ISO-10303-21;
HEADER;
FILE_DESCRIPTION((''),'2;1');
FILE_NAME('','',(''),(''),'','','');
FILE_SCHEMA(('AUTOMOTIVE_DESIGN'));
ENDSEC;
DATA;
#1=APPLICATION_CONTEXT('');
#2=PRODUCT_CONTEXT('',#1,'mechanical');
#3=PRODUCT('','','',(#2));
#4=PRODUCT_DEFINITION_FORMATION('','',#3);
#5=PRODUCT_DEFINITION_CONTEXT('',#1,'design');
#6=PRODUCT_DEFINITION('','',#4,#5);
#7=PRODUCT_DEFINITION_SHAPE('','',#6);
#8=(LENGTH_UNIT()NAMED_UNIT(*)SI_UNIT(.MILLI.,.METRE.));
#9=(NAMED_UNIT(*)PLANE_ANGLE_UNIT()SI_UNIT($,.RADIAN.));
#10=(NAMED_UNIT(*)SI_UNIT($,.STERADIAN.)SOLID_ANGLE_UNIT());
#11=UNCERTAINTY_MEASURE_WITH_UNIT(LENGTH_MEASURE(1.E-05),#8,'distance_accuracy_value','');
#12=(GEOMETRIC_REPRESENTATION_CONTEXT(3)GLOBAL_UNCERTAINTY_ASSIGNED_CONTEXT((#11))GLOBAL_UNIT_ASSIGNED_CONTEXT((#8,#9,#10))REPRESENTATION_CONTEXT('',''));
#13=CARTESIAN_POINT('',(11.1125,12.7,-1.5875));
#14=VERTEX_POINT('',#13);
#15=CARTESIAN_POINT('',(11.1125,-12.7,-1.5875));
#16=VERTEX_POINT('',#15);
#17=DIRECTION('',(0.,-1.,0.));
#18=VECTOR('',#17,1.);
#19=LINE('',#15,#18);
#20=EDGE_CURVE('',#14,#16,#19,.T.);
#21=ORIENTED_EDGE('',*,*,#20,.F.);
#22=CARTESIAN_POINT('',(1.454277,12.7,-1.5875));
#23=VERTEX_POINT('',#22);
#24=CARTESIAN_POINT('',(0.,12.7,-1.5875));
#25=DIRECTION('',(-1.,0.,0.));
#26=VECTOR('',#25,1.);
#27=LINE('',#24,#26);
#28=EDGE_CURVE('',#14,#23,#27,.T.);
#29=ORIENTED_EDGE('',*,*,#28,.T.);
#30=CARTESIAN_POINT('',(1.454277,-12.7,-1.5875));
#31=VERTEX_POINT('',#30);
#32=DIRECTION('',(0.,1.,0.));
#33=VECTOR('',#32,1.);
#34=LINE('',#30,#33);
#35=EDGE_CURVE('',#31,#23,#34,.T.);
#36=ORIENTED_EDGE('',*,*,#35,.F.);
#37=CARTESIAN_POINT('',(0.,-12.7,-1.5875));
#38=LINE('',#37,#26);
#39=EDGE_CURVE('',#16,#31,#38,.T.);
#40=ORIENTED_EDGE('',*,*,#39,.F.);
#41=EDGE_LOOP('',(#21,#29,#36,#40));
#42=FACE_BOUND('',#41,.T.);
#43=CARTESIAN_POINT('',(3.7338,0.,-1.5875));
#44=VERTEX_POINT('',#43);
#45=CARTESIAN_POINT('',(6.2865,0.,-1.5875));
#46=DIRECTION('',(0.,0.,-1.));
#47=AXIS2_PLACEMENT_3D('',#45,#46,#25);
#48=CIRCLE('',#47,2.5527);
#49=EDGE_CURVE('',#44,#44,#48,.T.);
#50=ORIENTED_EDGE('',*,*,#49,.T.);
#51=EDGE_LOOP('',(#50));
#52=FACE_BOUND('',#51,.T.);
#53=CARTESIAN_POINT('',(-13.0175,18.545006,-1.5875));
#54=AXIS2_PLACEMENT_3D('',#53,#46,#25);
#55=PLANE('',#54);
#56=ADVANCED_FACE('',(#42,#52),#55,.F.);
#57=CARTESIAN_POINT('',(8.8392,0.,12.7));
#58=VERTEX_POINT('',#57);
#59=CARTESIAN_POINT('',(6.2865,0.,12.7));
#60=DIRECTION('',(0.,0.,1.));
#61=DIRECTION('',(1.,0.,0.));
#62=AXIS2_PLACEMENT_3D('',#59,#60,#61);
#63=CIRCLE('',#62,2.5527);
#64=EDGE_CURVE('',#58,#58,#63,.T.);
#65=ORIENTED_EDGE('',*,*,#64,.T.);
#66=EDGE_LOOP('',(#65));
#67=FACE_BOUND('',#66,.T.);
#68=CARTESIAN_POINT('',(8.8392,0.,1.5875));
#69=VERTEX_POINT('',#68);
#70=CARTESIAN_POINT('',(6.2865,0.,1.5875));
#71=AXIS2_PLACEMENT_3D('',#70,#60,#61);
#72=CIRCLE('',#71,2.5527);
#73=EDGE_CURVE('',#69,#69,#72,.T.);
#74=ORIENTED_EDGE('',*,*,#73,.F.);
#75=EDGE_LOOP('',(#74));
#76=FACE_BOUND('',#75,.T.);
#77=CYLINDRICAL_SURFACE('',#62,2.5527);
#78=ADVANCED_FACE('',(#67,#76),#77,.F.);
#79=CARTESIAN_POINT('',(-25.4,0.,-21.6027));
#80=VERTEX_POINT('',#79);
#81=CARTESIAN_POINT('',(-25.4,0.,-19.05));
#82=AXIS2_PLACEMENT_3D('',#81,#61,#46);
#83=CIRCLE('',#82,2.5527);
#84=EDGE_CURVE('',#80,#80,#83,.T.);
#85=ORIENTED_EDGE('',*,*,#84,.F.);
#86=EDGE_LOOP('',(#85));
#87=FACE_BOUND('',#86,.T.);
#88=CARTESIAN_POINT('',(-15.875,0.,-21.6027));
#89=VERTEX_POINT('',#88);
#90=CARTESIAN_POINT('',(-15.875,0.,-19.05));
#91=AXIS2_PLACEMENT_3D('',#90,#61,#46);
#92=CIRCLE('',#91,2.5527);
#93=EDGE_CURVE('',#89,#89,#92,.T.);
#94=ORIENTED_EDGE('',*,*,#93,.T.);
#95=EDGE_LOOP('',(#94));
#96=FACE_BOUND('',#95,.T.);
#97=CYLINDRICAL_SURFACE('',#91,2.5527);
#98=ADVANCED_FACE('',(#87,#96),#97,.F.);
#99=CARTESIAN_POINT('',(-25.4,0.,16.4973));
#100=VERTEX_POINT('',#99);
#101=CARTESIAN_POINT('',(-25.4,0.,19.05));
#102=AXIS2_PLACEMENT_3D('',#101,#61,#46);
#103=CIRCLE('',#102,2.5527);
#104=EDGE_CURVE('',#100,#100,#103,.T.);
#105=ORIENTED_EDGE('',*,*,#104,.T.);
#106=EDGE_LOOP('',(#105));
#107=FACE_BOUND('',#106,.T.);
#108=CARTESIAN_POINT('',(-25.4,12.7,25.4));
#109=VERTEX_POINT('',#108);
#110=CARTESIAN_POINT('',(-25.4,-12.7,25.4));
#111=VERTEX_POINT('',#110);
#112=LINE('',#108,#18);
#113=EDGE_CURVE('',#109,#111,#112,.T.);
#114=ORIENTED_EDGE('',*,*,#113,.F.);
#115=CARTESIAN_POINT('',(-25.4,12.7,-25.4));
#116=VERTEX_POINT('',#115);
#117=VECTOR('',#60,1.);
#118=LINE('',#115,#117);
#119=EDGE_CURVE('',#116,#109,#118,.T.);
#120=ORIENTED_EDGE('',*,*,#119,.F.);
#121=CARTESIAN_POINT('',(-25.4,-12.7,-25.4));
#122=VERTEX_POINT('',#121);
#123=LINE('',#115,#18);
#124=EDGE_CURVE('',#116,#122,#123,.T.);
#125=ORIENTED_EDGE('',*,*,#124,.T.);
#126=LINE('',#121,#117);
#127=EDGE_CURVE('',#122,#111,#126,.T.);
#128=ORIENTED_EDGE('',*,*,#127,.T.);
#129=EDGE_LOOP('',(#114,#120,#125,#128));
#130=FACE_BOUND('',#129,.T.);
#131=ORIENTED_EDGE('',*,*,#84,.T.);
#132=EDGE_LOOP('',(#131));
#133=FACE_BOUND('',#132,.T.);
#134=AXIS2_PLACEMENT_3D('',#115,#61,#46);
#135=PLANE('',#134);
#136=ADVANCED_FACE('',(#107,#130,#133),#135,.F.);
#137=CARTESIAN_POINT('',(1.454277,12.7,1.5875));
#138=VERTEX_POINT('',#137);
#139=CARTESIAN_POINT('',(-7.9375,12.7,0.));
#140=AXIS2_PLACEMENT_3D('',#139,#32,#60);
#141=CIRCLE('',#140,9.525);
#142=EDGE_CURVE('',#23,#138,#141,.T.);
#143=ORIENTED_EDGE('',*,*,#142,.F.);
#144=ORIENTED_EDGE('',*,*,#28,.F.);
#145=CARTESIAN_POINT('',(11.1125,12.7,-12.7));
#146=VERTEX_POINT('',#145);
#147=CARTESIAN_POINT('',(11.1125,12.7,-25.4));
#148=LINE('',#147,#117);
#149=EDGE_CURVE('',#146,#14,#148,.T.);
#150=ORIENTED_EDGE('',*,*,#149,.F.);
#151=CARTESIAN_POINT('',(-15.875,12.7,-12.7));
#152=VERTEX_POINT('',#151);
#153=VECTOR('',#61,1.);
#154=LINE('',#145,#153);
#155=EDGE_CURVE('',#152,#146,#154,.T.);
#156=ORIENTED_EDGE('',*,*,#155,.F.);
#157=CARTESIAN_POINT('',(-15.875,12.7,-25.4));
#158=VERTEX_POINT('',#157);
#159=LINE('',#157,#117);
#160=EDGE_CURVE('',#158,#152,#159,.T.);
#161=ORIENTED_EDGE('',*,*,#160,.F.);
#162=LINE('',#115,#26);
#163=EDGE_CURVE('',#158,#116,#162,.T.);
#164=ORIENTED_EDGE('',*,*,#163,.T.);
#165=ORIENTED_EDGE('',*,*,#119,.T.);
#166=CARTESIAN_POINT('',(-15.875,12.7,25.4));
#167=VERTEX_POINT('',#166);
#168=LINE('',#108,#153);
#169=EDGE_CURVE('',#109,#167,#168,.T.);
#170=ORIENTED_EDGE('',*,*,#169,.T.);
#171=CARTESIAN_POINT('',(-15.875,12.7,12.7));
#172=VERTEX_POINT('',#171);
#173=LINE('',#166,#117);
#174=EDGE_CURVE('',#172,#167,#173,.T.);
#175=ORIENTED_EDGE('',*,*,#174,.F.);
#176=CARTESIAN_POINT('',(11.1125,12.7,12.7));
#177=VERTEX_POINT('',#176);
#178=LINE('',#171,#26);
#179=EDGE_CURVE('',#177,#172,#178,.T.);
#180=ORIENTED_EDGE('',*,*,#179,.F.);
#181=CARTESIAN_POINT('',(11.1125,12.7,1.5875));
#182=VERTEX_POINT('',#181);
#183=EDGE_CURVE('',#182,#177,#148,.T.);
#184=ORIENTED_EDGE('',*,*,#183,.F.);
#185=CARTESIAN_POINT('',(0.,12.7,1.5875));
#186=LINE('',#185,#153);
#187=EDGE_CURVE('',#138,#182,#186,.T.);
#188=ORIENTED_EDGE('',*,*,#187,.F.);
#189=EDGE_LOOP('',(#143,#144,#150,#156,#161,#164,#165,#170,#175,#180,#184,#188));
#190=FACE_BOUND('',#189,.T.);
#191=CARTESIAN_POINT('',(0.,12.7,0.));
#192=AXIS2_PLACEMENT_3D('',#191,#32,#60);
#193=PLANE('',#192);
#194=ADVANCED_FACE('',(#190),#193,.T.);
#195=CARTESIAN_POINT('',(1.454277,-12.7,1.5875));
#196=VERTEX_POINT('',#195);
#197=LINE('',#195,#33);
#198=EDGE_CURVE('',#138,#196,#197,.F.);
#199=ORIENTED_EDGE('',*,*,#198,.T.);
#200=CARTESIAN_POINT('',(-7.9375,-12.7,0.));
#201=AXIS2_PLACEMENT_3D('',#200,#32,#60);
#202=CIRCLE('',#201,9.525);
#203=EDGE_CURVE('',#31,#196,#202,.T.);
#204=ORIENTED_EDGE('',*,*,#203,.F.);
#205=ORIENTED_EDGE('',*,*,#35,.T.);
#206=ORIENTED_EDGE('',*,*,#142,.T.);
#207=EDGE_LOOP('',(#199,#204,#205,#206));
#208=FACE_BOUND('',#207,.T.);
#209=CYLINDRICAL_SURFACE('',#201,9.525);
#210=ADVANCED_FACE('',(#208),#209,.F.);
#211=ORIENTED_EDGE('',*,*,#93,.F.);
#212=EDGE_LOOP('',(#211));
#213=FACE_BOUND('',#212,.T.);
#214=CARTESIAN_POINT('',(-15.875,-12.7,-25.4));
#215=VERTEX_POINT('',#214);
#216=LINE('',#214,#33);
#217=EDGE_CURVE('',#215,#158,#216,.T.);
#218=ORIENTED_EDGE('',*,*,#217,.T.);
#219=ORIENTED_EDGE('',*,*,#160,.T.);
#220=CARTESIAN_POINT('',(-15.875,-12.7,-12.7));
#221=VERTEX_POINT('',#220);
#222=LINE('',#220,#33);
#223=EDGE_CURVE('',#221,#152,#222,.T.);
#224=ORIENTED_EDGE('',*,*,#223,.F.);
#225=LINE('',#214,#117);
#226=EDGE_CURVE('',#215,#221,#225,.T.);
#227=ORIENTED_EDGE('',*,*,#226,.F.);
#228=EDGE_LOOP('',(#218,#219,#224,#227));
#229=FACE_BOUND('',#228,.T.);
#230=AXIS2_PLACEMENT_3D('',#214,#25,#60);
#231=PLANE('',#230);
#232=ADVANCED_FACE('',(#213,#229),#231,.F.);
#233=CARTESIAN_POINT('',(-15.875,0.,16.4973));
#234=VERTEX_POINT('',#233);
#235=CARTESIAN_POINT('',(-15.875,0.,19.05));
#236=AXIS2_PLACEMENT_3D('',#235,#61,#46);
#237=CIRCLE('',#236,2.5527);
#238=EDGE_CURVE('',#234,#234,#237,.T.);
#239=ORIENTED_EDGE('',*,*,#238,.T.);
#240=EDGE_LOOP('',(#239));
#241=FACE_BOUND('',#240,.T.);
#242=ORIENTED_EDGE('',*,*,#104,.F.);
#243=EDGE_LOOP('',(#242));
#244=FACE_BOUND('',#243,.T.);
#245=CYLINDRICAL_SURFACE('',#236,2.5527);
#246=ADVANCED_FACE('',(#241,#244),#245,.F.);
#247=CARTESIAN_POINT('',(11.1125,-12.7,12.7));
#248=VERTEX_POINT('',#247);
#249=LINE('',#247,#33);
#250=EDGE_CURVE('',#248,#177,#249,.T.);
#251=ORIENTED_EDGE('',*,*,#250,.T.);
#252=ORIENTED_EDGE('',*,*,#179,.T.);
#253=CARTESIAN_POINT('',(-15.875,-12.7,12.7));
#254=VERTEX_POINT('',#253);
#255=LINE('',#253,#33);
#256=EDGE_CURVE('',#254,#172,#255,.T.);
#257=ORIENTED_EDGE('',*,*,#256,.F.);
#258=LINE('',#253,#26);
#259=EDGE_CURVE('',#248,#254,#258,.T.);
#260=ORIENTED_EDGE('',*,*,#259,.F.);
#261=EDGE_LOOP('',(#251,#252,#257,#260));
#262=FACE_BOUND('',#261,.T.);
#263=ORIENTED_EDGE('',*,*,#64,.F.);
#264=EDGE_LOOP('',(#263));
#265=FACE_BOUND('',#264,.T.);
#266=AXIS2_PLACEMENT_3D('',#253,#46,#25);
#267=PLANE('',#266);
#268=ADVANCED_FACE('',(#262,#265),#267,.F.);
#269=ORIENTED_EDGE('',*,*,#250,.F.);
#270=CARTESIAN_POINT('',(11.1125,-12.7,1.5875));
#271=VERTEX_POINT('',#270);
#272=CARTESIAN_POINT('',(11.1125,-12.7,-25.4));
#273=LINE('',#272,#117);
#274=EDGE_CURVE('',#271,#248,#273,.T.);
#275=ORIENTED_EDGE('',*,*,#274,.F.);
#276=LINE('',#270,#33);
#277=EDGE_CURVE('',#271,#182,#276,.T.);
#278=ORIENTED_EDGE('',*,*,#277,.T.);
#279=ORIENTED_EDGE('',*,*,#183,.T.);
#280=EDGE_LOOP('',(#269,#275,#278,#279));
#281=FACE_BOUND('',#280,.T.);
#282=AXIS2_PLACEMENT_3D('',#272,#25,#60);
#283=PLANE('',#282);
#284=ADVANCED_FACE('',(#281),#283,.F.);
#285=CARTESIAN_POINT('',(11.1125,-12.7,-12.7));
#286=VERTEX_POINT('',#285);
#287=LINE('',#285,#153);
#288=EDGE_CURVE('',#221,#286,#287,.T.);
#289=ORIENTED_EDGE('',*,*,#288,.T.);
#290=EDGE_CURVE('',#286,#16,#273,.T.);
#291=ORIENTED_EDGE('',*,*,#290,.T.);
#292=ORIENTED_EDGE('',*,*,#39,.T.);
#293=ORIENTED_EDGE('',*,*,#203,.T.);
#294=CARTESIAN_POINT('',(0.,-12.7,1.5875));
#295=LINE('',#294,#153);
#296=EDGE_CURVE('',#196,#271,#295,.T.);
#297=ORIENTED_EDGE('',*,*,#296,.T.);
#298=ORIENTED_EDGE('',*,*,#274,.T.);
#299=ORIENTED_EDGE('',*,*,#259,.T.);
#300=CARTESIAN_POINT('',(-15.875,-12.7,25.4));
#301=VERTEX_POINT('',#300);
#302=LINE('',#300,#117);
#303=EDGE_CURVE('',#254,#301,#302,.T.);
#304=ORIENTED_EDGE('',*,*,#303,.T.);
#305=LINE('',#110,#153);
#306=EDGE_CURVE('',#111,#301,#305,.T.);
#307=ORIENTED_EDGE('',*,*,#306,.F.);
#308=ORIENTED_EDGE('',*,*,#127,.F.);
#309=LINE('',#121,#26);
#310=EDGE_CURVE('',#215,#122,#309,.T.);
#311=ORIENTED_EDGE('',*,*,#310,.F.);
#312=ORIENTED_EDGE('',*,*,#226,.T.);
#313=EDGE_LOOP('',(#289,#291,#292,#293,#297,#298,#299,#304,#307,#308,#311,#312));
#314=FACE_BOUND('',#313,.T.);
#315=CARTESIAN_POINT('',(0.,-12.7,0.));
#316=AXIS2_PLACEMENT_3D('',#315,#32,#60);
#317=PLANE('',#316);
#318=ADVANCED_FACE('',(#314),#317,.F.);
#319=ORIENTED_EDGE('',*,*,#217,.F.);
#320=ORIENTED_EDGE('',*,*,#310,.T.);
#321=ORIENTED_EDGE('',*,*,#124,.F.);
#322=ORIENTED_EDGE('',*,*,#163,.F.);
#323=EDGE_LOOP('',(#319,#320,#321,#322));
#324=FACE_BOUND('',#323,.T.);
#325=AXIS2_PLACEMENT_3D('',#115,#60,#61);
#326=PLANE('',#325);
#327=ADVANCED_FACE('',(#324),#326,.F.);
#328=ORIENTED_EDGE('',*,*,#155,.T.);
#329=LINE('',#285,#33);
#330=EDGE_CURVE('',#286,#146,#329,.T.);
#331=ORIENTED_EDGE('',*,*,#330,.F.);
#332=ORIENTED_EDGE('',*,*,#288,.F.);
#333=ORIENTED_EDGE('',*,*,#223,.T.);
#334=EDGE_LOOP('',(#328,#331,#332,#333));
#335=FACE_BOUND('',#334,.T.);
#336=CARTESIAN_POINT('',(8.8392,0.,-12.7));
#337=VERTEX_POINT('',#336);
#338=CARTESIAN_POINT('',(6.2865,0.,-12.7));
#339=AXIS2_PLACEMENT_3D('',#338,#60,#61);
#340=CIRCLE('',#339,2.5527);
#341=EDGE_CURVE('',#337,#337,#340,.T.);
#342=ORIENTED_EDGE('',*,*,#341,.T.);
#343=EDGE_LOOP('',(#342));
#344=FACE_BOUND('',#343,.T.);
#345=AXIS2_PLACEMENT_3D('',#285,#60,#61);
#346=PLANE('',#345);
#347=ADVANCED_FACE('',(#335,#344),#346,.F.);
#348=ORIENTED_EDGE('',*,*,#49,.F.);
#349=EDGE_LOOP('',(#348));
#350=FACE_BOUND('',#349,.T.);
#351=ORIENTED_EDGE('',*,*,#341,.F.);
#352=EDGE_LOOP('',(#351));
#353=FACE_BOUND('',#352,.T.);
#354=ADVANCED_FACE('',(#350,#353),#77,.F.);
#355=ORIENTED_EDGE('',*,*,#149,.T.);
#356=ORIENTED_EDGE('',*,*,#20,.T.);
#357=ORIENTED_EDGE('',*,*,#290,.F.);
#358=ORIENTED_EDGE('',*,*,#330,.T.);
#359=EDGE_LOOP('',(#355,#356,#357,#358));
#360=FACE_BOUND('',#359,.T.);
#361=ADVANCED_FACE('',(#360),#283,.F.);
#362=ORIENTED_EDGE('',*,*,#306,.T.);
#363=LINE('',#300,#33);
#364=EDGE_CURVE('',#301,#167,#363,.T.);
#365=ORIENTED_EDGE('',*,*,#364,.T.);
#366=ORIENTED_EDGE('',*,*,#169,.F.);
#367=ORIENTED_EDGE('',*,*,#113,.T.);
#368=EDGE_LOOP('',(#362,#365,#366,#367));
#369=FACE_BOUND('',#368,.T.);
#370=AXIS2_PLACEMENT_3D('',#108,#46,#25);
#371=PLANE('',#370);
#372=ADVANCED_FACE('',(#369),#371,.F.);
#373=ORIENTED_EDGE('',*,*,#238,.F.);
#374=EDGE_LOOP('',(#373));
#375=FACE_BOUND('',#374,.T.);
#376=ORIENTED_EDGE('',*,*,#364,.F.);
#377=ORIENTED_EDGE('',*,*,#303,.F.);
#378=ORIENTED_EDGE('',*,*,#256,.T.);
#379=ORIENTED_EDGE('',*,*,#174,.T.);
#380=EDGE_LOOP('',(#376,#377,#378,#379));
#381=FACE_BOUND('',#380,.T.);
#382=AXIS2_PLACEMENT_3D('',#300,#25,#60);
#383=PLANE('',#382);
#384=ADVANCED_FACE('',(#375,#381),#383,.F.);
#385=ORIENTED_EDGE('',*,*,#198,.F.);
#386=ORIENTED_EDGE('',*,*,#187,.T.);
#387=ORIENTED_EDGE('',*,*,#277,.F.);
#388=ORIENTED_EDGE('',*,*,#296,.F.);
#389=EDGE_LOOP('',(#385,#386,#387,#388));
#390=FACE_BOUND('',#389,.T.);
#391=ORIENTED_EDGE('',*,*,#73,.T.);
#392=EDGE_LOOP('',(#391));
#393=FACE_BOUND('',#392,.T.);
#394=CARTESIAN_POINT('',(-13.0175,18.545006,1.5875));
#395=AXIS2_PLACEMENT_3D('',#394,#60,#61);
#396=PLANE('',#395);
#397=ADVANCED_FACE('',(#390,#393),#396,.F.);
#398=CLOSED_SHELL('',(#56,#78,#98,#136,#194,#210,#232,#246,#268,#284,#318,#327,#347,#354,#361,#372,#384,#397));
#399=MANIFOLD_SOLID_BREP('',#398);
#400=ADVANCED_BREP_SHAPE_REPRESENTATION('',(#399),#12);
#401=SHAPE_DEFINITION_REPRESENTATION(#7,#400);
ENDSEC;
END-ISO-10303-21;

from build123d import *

# Parameters (mm, degrees)
SKETCH1_W                   = 50.8
SKETCH1_H                   = 50.8
STOCK_BLOCK_DEPTH           = 12.7
SKETCH2_R                   = 9.525
SLEEVE_NUT_HOLE_LARGE_DEPTH = 44.994090512
SKETCH11_W                  = 14.2875
SKETCH11_H                  = 50.8
CUT_EXTRUDE4_DEPTH          = 44.994090512
SKETCH3_W                   = 26.9875
SKETCH3_H                   = 12.7
CUT_EXTRUDE2_DEPTH          = 44.994090512
F_10_CLEARANCE_HOLE1_D      = 5.1054
SKETCH6_W                   = 3.175
SKETCH6_H                   = 37.090012852
CUT_EXTRUDE3_DEPTH          = 24.13
F_10_CLEARANCE_HOLE2_D      = 5.1054


with BuildPart() as part:
    # Sketch1 → Stock block (new, symmetric)
    with BuildSketch(Plane(origin=(0, 0, 0), x_dir=(1, 0, 0), z_dir=(0, 1, 0))):
        Rectangle(SKETCH1_W, SKETCH1_H)
    extrude(amount=STOCK_BLOCK_DEPTH, both=True)

    # Sketch2 → Sleeve Nut Hole - Large (cut, through all)
    with BuildSketch(Plane(origin=(0, 12.7, 0), x_dir=(1, 0, 0), z_dir=(0, 1, 0))):
        with Locations(Location((-7.9375, 0, 0), (0, 0, 270))):
            Circle(SKETCH2_R)
    extrude(amount=-SLEEVE_NUT_HOLE_LARGE_DEPTH, mode=Mode.SUBTRACT)

    # Sketch11 → Cut-Extrude4 (cut, through all)
    with BuildSketch(Plane(origin=(0, 12.7, 0), x_dir=(1, 0, 0), z_dir=(0, 1, 0))):
        with Locations((18.25625, 0)):
            Rectangle(SKETCH11_W, SKETCH11_H)
    extrude(amount=-CUT_EXTRUDE4_DEPTH, mode=Mode.SUBTRACT)

    # Sketch3 → Cut-Extrude2 (cut, through all)
    with BuildSketch(Plane(origin=(0, 12.7, 0), x_dir=(1, 0, 0), z_dir=(0, 1, 0))):
        with Locations((-2.38125, 19.05)):
            Rectangle(SKETCH3_W, SKETCH3_H)
        with Locations((-2.38125, -19.05)):
            Rectangle(SKETCH3_W, SKETCH3_H)
    extrude(amount=-CUT_EXTRUDE2_DEPTH, mode=Mode.SUBTRACT)

    # #10 Clearance Hole1 (through all)
    with Locations(Plane(origin=(-15.875, 0, 0), x_dir=(0, 0, -1), z_dir=(1, 0, 0))):
        with Locations((-19.05, 0), (19.05, 0)):
            Hole(F_10_CLEARANCE_HOLE1_D / 2)

    # Sketch6 → Cut-Extrude3 (cut)
    with BuildSketch(Plane(origin=(11.1125, 0, 0), x_dir=(0, 0, -1), z_dir=(1, 0, 0))):
        Rectangle(SKETCH6_W, SKETCH6_H)
    extrude(amount=-CUT_EXTRUDE3_DEPTH, mode=Mode.SUBTRACT)

    # #10 Clearance Hole2 (through all)
    with Locations(Plane.XY.offset(12.7)):
        with Locations((6.2865, 0)):
            Hole(F_10_CLEARANCE_HOLE2_D / 2)


solid = part.part
